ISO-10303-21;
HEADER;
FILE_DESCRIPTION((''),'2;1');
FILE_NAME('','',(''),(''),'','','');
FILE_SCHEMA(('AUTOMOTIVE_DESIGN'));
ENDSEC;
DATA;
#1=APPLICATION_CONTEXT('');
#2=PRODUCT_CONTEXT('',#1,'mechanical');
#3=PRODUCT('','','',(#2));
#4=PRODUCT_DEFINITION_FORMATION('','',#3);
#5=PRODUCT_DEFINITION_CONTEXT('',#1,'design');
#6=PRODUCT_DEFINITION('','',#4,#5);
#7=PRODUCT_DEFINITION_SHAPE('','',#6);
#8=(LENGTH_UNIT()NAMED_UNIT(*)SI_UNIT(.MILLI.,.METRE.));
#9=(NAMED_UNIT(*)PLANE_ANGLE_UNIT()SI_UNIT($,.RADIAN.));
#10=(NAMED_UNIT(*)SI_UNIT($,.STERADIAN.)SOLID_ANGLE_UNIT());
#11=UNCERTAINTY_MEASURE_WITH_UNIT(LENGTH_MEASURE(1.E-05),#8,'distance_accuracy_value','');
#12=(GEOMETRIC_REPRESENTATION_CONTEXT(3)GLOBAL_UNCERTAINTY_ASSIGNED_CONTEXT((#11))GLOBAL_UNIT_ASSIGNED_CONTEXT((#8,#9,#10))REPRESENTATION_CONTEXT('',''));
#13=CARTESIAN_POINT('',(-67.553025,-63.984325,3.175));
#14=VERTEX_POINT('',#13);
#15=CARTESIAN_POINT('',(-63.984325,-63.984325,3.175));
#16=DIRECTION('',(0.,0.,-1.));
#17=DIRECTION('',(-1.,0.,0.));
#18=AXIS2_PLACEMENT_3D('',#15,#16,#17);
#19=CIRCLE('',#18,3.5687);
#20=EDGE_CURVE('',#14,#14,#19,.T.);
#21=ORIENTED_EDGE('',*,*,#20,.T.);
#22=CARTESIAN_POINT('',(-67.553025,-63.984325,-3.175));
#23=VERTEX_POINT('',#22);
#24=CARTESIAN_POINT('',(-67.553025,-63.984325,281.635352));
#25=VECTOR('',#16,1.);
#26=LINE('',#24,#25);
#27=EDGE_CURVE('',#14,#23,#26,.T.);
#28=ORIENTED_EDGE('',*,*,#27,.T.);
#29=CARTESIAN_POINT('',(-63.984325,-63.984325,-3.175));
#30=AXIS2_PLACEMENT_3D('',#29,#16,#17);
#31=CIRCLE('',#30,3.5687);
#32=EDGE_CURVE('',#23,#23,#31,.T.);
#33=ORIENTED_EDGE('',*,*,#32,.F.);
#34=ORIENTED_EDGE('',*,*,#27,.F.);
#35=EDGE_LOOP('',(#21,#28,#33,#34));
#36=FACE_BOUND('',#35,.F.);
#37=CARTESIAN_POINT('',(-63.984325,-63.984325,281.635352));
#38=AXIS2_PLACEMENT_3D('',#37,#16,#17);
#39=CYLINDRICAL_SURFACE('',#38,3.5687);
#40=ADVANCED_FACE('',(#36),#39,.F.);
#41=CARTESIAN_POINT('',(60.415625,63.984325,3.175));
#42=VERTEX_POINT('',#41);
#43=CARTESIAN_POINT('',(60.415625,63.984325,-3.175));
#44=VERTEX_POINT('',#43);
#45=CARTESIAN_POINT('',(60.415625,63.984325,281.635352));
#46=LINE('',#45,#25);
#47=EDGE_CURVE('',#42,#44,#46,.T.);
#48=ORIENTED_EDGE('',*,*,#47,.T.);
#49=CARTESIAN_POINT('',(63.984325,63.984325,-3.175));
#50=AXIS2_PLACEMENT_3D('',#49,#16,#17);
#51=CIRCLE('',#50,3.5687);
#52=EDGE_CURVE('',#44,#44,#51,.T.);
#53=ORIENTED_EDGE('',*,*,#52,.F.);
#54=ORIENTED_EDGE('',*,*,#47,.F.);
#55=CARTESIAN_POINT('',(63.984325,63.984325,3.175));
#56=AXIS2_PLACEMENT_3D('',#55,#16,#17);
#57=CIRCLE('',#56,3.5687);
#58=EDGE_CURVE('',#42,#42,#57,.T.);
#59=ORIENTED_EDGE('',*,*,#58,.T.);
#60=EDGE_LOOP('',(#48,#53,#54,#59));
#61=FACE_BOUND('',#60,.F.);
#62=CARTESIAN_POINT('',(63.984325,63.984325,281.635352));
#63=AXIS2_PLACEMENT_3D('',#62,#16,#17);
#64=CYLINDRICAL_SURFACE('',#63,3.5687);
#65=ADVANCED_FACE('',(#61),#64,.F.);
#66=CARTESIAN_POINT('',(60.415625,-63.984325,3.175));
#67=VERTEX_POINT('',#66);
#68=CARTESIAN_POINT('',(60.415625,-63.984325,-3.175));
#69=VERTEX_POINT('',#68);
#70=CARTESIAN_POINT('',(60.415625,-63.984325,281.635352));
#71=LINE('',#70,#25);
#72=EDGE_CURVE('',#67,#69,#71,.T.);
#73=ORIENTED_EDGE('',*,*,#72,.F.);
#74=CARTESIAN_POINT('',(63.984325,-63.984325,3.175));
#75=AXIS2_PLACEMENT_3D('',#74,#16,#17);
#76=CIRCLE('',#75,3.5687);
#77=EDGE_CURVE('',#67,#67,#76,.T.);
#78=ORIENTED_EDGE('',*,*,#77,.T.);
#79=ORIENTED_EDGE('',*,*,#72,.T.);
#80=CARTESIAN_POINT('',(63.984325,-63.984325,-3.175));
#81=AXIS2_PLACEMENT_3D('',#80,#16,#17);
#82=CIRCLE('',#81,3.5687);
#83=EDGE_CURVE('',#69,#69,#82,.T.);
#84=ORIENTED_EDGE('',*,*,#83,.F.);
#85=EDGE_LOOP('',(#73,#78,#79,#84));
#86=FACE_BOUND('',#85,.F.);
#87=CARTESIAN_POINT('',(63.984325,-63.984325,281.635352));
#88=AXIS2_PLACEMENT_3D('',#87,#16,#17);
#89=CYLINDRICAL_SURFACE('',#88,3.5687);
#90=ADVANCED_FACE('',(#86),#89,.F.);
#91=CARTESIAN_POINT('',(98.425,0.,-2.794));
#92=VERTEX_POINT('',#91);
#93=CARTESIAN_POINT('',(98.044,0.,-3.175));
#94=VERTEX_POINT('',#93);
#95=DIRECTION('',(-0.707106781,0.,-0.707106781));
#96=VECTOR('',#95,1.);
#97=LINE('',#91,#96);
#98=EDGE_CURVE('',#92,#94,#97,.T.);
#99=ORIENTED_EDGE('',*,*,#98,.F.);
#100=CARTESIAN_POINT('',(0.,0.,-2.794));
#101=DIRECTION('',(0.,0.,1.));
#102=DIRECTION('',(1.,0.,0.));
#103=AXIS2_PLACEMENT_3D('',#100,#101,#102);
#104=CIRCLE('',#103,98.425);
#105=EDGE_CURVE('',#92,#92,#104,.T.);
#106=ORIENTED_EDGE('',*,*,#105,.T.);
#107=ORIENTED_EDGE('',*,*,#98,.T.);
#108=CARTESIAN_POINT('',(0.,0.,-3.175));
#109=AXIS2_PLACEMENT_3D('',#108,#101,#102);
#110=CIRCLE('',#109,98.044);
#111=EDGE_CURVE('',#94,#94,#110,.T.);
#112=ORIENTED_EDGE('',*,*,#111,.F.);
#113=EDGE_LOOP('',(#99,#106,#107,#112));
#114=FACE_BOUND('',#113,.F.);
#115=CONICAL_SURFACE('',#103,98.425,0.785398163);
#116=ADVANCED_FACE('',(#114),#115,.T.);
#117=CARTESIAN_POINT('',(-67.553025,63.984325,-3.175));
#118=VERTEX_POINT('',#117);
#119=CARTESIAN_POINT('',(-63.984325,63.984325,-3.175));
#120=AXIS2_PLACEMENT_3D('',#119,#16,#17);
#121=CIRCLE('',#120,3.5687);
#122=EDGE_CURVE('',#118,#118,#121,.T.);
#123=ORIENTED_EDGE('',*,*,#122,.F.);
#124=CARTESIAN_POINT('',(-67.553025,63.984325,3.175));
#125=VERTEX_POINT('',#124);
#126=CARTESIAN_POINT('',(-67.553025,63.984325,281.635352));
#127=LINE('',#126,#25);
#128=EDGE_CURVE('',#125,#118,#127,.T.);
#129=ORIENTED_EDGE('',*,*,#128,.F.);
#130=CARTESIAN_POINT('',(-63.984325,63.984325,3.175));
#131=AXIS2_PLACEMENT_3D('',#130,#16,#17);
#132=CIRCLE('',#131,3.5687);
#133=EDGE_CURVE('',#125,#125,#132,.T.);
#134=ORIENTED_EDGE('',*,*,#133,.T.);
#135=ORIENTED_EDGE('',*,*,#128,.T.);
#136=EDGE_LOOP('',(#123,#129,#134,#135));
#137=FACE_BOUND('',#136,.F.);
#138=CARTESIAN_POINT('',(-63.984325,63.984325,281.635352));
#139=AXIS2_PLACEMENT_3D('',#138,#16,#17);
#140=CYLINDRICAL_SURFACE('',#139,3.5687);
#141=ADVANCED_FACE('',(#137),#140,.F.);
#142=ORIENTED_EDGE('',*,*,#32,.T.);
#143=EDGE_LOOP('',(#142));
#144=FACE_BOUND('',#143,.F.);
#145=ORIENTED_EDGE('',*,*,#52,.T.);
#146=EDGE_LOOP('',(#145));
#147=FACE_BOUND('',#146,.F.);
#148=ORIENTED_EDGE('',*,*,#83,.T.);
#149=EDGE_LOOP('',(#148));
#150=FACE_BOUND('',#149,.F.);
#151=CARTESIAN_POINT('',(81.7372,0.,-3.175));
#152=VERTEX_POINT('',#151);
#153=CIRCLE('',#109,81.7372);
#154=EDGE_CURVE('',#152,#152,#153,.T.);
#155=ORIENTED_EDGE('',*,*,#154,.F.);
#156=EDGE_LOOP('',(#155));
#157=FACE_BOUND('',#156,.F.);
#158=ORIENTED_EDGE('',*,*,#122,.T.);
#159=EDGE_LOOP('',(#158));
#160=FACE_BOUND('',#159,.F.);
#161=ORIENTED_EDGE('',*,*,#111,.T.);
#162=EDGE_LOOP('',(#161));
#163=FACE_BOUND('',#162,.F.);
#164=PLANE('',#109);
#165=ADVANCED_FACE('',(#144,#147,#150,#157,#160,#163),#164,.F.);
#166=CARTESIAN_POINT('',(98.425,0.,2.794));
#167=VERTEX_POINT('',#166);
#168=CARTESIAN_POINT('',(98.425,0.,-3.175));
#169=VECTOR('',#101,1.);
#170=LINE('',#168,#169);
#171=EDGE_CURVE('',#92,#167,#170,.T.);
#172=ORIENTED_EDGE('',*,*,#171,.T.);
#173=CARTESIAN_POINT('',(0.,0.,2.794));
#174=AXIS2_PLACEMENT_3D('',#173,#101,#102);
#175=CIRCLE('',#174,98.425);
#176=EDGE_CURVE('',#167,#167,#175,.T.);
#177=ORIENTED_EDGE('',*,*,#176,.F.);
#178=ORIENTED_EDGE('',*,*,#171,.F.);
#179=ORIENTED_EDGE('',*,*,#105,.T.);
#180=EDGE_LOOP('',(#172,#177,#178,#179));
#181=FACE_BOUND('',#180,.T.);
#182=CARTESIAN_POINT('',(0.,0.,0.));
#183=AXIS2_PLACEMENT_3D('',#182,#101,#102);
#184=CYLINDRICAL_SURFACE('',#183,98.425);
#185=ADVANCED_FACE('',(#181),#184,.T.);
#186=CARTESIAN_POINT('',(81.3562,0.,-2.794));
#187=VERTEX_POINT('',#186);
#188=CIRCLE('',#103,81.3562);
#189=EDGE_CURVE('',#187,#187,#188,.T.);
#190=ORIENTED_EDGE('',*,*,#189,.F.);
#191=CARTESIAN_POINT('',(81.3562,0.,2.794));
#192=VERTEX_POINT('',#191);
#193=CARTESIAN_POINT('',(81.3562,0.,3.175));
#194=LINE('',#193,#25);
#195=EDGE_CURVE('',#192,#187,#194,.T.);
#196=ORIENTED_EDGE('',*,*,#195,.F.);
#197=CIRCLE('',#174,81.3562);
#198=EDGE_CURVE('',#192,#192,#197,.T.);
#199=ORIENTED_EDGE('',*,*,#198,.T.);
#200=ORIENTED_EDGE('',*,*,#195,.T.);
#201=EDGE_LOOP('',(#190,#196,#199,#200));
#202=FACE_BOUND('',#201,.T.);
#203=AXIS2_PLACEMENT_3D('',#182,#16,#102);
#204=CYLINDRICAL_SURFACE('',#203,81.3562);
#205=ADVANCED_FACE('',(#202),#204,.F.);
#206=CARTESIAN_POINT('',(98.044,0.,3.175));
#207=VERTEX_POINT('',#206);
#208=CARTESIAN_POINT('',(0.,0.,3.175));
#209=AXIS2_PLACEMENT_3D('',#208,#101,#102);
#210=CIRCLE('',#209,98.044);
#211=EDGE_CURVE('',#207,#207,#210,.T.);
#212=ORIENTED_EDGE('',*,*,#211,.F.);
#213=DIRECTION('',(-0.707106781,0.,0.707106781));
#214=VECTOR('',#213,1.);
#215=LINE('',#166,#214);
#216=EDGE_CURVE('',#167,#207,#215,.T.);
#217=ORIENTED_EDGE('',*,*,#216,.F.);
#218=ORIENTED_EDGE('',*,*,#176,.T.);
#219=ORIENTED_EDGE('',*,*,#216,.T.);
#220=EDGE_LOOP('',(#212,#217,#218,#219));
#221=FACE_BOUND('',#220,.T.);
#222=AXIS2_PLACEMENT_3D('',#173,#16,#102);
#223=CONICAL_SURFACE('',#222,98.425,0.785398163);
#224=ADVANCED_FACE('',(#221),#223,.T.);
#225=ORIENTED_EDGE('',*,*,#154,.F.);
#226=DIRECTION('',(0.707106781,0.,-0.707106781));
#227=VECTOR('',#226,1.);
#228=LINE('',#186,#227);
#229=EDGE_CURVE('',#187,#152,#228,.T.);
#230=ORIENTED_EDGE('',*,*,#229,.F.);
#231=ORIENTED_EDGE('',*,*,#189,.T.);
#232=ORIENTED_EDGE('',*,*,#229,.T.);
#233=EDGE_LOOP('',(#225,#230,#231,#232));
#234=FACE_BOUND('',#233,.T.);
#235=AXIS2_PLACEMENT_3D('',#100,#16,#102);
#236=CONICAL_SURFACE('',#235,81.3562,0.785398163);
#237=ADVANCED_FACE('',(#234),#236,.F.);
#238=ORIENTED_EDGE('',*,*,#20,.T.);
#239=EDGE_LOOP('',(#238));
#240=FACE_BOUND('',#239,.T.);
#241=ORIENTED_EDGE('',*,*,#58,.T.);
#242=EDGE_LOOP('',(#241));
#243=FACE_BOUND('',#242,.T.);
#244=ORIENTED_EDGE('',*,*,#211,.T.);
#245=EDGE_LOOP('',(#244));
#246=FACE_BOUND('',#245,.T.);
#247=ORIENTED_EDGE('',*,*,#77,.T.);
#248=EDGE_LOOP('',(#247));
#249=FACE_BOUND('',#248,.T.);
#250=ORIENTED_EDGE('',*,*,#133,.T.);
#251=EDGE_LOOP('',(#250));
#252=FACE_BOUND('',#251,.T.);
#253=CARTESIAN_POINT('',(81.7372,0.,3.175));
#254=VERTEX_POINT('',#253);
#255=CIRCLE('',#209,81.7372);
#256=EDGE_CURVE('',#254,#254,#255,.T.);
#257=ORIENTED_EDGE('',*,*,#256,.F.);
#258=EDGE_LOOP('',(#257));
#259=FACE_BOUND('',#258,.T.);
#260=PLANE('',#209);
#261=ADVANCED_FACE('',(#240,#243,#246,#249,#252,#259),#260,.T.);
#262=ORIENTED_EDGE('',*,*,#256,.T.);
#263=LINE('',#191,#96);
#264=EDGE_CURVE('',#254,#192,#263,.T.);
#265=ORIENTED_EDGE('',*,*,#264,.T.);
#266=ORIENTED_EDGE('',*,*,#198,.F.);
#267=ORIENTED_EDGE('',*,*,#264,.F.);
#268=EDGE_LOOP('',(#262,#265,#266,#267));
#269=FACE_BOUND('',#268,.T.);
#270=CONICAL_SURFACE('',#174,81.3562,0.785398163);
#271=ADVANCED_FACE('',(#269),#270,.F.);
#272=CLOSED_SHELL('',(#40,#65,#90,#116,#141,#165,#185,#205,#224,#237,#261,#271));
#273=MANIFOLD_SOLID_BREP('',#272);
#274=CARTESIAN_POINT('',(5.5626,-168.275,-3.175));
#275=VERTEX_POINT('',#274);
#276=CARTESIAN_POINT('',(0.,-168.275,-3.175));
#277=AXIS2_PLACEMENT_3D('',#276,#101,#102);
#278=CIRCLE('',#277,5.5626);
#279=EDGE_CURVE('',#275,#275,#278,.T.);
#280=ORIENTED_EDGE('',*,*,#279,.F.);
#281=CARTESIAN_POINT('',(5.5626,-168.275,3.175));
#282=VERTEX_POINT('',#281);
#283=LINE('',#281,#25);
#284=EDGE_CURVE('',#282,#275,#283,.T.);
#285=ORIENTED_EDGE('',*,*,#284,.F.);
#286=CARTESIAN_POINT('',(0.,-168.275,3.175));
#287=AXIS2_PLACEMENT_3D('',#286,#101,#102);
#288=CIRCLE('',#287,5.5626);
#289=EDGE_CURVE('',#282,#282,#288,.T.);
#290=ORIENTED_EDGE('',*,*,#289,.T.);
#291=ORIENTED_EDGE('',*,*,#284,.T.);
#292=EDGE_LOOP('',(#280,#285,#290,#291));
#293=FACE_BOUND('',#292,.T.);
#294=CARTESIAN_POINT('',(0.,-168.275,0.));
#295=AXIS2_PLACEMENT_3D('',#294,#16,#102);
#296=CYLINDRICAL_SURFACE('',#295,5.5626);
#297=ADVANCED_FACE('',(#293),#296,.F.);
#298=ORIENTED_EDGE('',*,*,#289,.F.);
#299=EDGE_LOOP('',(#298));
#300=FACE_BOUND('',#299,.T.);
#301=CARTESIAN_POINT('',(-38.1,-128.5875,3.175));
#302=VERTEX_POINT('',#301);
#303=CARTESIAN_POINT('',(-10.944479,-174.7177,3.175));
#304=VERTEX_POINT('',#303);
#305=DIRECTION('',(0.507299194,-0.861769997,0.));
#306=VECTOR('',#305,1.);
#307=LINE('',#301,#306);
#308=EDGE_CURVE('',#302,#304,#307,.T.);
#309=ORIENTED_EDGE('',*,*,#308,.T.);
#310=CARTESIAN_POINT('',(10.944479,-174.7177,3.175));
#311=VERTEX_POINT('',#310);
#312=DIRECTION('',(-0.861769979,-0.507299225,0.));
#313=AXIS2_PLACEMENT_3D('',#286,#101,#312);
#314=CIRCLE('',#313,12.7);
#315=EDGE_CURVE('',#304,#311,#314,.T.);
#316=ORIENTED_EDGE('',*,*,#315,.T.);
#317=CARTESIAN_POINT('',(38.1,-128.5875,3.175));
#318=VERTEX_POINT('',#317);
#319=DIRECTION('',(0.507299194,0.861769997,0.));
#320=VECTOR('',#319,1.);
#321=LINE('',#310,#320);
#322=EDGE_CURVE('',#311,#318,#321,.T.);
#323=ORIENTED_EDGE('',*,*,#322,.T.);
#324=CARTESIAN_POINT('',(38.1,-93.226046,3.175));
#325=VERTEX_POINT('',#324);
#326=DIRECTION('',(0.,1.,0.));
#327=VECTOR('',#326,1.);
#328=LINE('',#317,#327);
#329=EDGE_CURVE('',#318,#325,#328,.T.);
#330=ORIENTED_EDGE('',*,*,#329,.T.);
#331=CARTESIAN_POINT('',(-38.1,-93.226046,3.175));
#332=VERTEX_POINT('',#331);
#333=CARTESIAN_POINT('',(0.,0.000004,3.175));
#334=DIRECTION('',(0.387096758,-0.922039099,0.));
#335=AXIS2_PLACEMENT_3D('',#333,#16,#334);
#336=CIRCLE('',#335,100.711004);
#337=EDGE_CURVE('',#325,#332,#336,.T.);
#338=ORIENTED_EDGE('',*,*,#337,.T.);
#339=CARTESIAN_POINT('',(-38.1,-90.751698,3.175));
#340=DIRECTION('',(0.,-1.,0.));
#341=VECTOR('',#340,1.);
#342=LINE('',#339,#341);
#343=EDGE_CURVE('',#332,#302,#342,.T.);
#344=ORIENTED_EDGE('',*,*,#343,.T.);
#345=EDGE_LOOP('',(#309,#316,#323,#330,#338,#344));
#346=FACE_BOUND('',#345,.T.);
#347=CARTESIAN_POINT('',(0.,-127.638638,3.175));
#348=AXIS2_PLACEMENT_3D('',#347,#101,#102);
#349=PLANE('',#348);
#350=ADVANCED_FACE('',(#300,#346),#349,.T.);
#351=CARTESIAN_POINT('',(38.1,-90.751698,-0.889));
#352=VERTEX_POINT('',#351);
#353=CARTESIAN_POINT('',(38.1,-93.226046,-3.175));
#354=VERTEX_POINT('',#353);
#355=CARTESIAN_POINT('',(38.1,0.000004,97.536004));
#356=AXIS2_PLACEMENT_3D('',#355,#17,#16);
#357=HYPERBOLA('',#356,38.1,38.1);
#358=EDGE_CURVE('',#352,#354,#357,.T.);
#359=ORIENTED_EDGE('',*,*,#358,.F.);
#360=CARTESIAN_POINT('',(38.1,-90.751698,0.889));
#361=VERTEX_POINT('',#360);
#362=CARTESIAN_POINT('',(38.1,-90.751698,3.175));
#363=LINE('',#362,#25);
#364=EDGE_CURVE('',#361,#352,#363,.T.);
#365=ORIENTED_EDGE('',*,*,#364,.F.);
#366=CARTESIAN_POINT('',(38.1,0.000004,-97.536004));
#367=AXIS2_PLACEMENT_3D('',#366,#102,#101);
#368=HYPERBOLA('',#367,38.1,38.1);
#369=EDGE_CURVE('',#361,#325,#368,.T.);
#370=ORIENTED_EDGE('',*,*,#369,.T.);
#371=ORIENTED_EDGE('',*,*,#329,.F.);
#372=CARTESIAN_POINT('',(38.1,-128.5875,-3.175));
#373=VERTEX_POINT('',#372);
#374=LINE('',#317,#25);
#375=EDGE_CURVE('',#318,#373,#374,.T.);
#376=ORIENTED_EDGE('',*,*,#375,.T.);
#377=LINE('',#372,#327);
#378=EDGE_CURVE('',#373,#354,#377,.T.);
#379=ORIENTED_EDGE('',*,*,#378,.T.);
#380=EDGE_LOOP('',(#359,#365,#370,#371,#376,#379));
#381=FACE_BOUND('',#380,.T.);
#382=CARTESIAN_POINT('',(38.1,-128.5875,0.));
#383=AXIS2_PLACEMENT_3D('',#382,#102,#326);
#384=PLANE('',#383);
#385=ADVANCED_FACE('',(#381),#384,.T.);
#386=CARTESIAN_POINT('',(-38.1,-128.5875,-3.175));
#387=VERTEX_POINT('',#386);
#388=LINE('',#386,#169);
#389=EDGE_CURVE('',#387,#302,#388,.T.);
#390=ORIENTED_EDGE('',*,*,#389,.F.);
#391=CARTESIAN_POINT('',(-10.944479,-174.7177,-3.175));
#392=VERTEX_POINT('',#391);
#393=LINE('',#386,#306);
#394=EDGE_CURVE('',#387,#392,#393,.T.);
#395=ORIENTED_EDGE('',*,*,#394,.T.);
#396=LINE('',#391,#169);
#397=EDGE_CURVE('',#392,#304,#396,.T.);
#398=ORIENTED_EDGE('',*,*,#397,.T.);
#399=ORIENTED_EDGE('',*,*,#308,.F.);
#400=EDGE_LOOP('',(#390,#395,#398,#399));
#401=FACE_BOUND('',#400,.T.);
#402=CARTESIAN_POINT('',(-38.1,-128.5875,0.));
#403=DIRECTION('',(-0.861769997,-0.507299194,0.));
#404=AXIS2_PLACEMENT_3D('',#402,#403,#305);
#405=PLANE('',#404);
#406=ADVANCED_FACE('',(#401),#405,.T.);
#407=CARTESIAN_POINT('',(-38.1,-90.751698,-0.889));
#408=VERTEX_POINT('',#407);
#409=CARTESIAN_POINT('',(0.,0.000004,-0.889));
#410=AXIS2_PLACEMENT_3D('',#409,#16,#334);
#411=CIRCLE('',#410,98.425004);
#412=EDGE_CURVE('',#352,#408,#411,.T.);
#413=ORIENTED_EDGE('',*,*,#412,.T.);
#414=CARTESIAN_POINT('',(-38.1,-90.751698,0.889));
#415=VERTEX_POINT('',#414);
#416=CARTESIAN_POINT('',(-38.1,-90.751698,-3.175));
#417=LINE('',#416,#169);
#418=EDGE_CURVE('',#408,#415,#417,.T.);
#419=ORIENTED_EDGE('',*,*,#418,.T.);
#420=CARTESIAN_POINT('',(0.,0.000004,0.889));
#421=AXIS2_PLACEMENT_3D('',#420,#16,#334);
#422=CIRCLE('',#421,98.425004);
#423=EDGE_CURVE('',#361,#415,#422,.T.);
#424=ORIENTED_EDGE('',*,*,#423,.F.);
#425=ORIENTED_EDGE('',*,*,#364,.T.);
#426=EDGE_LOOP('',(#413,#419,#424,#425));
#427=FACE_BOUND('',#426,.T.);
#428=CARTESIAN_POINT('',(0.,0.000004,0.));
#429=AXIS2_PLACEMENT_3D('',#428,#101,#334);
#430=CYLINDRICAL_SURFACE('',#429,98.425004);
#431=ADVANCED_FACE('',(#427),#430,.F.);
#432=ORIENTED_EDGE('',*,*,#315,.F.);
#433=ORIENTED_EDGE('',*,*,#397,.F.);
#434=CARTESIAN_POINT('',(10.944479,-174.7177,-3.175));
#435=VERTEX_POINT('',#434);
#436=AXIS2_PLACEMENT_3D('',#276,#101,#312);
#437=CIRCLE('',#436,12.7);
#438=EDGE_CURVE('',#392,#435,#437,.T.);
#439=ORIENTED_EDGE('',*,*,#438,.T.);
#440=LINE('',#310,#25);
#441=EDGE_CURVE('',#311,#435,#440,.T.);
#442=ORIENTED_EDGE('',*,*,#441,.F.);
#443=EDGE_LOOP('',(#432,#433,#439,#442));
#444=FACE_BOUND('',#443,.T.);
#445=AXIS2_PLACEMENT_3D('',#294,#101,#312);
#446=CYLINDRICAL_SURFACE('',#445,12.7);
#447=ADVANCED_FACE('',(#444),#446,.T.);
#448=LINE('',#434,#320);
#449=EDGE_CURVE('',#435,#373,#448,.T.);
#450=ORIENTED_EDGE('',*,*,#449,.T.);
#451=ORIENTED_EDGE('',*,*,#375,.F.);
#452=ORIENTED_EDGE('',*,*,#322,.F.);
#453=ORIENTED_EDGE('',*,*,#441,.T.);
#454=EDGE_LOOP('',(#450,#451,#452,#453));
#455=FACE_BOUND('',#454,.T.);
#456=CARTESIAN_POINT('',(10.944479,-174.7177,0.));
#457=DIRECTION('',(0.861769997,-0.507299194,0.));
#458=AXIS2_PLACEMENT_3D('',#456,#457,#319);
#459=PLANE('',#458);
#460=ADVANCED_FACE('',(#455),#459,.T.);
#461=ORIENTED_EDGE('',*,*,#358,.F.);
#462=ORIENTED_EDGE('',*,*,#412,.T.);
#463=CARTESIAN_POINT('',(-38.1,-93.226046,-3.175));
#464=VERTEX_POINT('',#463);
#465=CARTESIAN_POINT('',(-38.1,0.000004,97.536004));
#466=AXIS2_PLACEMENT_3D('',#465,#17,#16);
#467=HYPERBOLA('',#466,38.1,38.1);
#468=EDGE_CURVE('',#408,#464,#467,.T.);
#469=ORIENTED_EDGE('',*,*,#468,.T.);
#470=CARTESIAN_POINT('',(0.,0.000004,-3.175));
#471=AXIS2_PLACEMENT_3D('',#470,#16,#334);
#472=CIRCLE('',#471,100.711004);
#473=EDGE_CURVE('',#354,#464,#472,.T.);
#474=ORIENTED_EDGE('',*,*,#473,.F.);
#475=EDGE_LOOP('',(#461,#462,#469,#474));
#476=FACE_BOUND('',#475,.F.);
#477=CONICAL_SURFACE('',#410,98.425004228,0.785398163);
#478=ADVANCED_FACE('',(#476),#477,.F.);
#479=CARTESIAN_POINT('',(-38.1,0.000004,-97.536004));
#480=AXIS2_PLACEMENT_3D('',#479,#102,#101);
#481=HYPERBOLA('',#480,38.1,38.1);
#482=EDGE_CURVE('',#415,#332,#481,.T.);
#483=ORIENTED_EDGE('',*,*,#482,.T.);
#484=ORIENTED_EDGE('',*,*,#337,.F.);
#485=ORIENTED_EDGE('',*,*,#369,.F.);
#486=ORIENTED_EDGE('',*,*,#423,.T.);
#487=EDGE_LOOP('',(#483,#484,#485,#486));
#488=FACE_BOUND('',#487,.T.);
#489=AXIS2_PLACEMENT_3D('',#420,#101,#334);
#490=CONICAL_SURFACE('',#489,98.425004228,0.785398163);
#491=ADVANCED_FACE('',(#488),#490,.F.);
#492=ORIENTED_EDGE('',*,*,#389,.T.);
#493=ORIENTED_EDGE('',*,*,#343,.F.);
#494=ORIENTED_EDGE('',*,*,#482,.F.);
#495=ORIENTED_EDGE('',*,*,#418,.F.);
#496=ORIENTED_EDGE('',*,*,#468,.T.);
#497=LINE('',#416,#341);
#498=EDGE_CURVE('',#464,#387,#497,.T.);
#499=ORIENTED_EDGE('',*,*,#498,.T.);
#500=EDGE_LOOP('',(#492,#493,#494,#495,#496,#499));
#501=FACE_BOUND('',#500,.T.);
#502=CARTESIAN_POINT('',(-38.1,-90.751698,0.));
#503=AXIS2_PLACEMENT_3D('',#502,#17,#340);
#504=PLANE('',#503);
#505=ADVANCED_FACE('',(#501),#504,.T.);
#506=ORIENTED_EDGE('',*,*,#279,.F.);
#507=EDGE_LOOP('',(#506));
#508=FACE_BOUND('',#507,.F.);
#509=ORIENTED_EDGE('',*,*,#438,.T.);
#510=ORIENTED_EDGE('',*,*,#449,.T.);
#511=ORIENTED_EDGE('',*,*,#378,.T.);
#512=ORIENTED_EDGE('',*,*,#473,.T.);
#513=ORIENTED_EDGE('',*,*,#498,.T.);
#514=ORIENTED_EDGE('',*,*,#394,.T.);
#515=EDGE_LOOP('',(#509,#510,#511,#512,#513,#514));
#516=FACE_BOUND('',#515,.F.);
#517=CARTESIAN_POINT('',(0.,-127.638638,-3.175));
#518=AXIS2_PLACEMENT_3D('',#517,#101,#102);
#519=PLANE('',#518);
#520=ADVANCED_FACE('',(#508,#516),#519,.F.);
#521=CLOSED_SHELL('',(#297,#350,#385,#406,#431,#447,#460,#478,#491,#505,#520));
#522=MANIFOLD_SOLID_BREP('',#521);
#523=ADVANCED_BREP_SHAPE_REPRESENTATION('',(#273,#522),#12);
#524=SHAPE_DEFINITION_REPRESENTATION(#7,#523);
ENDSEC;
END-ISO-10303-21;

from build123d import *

# Parameters (mm, degrees)
F0_R     = 5.5626
F1_DEPTH = 3.175
F2_R     = 98.425
F2_R_2   = 81.3562
F3_DEPTH = 3.175
F4_SIZE  = 0.381
F5_SIZE  = 2.286
F7_D     = 7.1374


with BuildPart() as f1:
    # F0 (on Top) → F1 (new body, symmetric)
    with BuildSketch(Plane.XY):
        with BuildLine():
            ThreePointArc((38.1, -90.751698), (0, -98.425), (-38.1, -90.751698))
            Line((-38.1, -90.751698), (-38.1, -128.5875))
            Line((-38.1, -128.5875), (-10.944479, -174.7177))
            ThreePointArc((-10.944479, -174.7177), (0, -180.975), (10.944479, -174.7177))
            Line((10.944479, -174.7177), (38.1, -128.5875))
            Line((38.1, -128.5875), (38.1, -90.751698))
        make_face()
        with Locations((0, -168.275)):
            Circle(F0_R, mode=Mode.SUBTRACT)
    extrude(amount=F1_DEPTH, both=True)

    # F5
    f5_edges = [f1.edges().sort_by_distance(p)[0] for p in [
        (0, -98.425, 3.175),
        (0, -98.425, -3.175),
    ]]
    chamfer(f5_edges, length=F5_SIZE)


with BuildPart() as f3:
    # F2 (on Top) → F3 (new body, symmetric)
    with BuildSketch(Plane.XY):
        Circle(F2_R)
        Circle(F2_R_2, mode=Mode.SUBTRACT)
    extrude(amount=F3_DEPTH, both=True)

    # F4
    f4_edges = [f3.edges().sort_by_distance(p)[0] for p in [
        (-98.425, 0, 3.175),
        (-81.3562, 0, 3.175),
        (-81.3562, 0, -3.175),
        (-98.425, 0, -3.175),
    ]]
    chamfer(f4_edges, length=F4_SIZE)

    # F7 (through all)
    with Locations(Plane.XY.offset(3.175)):
        with Locations((-63.984325, -63.984325), (-63.984325, 63.984325), (63.984325, 63.984325), (63.984325, -63.984325)):
            Hole(F7_D / 2)


solid = Compound([f1.part, f3.part])
